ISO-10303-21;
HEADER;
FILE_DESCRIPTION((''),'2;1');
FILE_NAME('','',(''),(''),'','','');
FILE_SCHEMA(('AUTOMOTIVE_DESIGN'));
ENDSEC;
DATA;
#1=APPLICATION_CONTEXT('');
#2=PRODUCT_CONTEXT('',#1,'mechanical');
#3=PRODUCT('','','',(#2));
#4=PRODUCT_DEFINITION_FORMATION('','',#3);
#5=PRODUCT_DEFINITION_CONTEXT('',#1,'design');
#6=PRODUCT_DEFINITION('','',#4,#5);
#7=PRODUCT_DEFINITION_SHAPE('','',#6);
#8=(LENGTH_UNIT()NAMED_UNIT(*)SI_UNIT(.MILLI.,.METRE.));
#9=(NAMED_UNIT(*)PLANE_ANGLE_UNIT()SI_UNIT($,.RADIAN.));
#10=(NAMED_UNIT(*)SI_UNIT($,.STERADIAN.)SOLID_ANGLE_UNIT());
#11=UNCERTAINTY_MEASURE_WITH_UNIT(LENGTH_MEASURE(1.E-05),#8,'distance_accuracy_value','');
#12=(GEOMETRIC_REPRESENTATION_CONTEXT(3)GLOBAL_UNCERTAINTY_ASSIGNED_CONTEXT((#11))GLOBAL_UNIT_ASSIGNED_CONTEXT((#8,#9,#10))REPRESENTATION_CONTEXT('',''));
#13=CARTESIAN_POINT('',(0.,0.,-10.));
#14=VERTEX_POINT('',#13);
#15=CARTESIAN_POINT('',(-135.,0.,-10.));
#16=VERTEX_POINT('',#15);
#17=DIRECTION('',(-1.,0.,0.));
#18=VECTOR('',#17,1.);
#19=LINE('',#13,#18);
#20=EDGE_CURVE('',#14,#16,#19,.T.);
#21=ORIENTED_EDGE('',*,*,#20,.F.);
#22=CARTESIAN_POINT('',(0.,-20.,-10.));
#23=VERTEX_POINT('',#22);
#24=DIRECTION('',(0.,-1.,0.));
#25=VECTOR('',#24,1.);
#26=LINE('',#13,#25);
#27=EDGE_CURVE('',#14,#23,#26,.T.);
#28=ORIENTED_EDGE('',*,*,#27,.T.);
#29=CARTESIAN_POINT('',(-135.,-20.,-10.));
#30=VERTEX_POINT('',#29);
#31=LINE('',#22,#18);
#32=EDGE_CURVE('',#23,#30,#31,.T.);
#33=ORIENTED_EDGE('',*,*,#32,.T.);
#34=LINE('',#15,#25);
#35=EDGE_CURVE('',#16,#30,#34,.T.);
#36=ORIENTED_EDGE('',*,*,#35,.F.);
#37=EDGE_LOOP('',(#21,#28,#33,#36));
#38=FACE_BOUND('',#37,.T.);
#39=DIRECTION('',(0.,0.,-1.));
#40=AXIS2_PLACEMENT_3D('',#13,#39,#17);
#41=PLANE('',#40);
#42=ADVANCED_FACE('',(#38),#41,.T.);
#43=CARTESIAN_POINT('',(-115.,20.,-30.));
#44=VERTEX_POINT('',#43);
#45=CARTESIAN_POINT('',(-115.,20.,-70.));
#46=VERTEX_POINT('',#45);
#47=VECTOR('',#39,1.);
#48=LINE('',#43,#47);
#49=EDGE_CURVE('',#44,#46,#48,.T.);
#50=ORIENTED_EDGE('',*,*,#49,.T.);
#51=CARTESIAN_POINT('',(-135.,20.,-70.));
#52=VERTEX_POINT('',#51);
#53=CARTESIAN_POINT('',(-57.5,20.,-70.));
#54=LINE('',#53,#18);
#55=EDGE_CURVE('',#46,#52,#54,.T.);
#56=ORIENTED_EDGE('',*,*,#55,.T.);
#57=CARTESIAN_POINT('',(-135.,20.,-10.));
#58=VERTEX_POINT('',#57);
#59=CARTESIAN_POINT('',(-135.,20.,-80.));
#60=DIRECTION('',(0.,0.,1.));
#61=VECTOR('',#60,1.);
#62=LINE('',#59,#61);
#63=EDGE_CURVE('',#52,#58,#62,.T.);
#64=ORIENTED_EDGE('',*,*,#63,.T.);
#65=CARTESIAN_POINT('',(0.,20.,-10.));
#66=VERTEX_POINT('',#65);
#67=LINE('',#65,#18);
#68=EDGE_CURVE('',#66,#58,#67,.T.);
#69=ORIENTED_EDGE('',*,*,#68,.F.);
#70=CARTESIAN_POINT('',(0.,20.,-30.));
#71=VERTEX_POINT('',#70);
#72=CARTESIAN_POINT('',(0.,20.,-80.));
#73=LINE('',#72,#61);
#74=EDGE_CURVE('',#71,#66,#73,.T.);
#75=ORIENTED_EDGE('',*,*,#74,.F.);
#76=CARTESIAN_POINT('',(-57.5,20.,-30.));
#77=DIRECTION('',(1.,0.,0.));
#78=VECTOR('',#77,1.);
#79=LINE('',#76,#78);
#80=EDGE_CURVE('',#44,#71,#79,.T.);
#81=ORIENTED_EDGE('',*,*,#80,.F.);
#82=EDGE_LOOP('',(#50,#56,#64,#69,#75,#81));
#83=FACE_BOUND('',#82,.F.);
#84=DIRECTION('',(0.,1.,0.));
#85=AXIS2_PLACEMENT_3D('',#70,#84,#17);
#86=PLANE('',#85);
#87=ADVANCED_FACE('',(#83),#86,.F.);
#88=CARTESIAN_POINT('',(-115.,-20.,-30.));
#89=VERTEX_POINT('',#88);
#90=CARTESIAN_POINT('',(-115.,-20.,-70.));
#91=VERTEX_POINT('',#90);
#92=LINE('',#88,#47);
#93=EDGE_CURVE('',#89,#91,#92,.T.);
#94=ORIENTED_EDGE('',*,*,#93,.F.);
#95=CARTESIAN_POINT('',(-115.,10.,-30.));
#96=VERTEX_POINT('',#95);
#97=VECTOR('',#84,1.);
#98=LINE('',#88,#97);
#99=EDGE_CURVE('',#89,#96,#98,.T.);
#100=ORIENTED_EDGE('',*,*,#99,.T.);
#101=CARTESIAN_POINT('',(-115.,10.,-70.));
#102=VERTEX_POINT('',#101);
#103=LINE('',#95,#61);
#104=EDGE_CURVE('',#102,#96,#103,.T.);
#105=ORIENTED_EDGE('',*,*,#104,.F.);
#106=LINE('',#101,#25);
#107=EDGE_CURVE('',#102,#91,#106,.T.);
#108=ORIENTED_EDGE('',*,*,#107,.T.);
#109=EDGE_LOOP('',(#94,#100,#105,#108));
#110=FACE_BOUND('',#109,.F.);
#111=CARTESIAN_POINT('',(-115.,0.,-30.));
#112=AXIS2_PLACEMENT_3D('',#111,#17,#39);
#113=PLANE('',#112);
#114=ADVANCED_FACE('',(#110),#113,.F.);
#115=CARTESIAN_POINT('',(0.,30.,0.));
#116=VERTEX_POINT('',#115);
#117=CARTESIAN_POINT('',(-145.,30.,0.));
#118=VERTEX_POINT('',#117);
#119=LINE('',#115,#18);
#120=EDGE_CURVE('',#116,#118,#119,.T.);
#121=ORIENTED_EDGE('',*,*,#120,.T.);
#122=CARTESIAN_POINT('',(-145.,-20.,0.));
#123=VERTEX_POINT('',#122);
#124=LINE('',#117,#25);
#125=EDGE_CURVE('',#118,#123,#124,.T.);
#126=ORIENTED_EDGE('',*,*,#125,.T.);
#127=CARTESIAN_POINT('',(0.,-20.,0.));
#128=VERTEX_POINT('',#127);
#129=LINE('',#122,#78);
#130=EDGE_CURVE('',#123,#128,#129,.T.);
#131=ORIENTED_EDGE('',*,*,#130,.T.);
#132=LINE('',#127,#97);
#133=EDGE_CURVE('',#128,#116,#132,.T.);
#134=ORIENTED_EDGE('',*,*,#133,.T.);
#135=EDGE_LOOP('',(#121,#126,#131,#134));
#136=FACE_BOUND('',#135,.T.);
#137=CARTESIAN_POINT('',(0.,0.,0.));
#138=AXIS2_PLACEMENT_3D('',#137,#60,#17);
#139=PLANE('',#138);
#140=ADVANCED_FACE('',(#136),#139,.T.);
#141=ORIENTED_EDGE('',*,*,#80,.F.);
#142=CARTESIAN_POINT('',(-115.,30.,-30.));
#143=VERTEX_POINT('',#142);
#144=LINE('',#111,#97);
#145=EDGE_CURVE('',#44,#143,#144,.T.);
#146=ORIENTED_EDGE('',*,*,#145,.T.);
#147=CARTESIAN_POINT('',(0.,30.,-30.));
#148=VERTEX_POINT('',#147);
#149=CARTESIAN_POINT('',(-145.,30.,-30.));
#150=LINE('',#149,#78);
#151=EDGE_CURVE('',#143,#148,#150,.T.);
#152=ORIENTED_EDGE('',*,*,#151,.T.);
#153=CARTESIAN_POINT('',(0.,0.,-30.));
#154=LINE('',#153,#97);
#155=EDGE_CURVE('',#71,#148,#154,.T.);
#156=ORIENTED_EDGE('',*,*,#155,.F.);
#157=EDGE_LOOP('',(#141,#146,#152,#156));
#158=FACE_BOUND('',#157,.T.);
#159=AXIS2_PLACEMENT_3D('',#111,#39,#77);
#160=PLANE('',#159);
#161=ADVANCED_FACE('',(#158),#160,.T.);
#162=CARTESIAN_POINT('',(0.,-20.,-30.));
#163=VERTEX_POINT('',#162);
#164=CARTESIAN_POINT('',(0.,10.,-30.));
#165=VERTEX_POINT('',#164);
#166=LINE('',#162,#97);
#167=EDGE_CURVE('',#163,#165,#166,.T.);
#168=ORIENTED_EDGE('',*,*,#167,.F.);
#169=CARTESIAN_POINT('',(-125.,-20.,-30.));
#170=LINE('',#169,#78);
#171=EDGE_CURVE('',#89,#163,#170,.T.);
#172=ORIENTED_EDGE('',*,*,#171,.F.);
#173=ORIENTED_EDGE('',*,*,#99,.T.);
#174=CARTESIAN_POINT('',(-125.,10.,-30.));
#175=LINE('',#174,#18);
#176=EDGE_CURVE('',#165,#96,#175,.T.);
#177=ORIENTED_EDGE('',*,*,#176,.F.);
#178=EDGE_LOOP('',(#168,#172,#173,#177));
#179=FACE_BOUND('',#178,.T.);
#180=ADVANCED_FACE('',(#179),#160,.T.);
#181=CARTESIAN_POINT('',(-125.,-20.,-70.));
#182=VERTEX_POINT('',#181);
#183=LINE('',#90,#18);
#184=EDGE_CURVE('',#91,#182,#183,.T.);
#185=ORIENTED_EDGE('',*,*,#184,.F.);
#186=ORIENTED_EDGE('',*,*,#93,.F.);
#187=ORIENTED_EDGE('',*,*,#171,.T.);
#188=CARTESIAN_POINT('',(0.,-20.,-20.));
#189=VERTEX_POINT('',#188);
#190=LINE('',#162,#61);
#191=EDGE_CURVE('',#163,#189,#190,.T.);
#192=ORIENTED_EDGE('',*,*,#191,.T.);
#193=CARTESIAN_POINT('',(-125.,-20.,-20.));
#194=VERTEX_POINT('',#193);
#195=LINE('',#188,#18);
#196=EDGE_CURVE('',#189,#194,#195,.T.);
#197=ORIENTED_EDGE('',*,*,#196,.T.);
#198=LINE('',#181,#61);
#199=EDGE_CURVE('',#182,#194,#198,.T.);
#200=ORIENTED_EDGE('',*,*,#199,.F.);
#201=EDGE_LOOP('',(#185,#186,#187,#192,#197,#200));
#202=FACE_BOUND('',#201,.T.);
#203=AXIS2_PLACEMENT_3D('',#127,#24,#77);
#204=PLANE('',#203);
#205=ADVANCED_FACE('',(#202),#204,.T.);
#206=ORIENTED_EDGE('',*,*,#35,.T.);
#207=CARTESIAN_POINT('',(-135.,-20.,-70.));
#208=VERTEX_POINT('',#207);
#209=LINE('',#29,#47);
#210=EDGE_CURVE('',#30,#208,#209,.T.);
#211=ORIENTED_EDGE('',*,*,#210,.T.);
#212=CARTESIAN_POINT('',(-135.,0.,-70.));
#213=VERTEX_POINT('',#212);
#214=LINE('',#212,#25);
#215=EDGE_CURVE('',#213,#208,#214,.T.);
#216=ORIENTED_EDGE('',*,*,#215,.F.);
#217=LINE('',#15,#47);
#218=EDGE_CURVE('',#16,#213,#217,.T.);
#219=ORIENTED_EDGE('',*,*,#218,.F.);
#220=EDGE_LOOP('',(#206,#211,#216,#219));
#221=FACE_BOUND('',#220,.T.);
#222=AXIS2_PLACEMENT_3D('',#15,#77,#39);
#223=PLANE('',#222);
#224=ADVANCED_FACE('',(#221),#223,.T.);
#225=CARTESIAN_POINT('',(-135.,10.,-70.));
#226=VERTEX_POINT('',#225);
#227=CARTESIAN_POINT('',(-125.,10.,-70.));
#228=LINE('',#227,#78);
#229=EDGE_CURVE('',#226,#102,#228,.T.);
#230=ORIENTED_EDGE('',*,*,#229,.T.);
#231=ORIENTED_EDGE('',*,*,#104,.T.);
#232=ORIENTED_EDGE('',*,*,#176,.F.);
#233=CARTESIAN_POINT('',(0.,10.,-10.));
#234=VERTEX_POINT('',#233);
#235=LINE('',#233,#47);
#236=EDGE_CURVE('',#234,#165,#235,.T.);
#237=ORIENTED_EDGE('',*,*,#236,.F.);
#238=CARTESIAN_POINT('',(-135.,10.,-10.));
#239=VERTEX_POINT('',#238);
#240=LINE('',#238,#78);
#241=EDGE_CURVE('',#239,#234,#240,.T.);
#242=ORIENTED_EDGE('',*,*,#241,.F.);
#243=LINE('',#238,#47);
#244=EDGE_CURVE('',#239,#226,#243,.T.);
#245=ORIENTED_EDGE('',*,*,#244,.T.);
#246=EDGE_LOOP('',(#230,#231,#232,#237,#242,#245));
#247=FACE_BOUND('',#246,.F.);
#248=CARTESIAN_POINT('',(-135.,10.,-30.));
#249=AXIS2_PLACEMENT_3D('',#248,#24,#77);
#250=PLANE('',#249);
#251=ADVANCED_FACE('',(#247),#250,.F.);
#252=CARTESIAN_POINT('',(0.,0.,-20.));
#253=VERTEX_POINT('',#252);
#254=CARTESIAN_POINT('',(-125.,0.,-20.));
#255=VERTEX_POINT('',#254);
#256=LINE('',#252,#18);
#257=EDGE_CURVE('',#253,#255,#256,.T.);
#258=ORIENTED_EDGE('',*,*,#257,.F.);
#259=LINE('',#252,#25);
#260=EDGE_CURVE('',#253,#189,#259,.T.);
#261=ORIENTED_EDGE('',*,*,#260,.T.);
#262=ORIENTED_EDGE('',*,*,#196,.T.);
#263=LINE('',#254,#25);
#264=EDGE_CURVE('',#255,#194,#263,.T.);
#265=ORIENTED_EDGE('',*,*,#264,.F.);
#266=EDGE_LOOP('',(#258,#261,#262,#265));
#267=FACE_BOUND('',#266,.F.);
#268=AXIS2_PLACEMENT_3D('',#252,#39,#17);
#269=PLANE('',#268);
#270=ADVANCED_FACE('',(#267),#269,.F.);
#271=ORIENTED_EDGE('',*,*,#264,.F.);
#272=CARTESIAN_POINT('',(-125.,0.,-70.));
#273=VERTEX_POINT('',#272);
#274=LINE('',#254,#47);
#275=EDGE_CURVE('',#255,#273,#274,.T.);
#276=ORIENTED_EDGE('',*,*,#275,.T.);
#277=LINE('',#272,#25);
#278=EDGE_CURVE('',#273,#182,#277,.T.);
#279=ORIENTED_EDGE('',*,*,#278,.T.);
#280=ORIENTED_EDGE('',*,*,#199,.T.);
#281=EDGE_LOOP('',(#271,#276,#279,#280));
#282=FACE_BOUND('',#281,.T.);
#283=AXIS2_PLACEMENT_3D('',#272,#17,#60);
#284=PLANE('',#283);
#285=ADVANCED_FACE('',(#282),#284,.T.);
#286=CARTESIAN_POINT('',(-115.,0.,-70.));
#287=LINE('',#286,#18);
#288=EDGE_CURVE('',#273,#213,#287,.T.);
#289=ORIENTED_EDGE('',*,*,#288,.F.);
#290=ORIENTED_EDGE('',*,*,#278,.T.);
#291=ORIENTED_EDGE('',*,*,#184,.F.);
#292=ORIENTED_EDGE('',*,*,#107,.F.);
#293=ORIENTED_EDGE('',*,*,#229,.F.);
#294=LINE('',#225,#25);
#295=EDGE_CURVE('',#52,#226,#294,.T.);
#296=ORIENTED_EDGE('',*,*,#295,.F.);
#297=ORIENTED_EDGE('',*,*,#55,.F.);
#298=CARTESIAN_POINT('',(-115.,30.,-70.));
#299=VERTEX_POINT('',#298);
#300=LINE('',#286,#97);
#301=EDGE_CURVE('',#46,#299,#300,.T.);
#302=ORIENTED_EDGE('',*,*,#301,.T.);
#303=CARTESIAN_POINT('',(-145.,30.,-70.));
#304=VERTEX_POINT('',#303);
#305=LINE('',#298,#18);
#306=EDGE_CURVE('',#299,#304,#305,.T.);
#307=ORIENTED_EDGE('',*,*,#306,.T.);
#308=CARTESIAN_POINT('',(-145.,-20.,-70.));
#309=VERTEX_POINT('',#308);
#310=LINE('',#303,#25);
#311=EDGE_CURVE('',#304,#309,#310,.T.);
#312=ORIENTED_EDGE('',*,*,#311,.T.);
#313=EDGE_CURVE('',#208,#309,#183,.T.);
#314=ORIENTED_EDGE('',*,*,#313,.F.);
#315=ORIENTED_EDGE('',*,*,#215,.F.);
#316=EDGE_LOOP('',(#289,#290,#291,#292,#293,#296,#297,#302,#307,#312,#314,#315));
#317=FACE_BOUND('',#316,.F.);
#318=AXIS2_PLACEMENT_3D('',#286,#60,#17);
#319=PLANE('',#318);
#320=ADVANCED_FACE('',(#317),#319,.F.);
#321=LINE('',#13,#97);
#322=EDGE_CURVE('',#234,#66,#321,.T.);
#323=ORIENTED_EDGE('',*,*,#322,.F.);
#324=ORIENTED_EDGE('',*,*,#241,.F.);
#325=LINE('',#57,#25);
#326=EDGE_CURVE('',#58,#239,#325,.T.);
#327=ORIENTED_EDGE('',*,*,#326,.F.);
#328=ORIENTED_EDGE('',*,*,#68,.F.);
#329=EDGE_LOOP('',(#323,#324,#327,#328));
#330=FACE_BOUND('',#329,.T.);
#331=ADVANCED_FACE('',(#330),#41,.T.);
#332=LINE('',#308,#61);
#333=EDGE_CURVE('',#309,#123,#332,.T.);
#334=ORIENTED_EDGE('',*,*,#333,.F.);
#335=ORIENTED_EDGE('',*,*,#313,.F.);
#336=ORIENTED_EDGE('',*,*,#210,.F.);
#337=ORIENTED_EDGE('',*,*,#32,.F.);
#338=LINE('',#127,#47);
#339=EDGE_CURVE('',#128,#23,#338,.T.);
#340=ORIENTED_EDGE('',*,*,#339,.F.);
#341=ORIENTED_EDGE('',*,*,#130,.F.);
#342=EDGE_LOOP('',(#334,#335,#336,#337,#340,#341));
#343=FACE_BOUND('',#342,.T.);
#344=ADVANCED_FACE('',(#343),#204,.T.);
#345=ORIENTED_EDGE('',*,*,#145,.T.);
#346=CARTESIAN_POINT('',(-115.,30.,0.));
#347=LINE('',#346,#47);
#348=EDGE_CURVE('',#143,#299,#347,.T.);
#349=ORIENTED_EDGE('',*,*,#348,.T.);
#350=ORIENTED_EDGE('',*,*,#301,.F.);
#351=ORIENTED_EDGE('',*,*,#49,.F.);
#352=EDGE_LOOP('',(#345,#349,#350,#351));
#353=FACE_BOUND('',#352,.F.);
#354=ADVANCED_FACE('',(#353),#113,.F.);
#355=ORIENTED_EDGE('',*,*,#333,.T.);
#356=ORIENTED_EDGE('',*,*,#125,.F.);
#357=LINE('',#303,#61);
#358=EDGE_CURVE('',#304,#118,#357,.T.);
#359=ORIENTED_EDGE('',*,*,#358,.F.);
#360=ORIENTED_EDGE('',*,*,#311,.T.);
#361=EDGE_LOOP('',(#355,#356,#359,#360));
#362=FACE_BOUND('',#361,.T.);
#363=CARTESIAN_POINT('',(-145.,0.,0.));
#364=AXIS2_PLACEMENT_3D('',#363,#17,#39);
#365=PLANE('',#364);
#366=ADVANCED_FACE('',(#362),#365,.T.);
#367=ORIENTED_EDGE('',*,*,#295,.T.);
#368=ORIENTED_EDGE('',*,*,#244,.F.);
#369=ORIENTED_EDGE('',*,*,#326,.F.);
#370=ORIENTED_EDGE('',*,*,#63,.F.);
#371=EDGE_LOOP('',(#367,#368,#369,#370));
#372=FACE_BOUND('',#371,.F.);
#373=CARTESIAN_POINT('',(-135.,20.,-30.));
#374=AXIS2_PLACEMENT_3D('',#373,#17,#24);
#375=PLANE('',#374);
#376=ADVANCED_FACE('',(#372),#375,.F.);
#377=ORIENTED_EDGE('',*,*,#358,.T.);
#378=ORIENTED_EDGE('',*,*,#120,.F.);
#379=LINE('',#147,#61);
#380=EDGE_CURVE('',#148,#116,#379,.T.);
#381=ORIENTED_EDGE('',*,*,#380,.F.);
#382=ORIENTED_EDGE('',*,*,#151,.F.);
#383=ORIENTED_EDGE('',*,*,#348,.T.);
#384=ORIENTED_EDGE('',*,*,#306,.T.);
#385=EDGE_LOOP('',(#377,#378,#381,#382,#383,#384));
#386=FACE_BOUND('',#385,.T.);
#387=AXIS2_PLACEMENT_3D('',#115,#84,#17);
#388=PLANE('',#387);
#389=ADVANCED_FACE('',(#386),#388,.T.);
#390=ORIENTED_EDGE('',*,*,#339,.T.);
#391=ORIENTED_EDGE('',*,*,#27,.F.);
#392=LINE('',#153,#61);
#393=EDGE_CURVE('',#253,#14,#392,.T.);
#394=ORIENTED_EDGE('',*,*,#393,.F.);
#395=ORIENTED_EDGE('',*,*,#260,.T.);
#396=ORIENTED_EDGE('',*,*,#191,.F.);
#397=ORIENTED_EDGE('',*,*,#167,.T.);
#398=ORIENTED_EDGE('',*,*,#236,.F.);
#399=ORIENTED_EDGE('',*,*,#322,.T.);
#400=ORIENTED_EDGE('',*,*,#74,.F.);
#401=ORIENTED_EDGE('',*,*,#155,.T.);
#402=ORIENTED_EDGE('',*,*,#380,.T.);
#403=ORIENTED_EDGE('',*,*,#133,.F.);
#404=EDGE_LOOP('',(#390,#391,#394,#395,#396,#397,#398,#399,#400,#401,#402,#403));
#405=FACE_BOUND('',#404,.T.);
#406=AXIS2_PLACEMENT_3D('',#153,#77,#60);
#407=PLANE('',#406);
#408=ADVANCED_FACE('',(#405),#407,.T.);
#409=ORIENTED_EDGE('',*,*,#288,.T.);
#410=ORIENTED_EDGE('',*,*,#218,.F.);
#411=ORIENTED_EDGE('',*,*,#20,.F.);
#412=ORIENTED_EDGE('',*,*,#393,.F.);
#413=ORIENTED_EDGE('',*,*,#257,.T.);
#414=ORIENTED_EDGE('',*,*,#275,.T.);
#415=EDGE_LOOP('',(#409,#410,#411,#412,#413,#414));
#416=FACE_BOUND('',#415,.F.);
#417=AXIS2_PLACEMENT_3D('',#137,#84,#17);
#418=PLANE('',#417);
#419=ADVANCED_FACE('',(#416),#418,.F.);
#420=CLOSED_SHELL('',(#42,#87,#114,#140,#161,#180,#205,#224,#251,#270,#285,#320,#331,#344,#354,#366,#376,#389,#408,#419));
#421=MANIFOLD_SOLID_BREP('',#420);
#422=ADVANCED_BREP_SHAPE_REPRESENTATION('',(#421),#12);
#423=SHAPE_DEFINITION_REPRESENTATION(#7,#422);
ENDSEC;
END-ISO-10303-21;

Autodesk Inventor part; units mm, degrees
ref_plane "YZ Plane" through (0, 0, 0) normal (1, 0, 0) x (0, 1, 0)
ref_plane "XZ Plane" through (0, 0, 0) normal (0, 1, 0) x (-1, 0, 0)
ref_plane "XY Plane" through (0, 0, 0) normal (0, 0, 1) x (1, 0, 0)
sketch "Sketch1" plane through (0, 0, 0) normal (0, 1, 0) x (-1, 0, 0)
  line L0 (0, 0) -> (145, 0)
  line L1 (145, 0) -> (145, -30)
  line L2 (145, -30) -> (0, -30)
  line L3 (0, -30) -> (0, 0)
  line L4 (145, 0) -> (115, 0)
  line L5 (115, 0) -> (115, -70)
  line L6 (115, -70) -> (145, -70)
  line L7 (145, -70) -> (145, 0)
  point P0 (115, -30)
  dimension "d0" = 145
  dimension "d1" = 30
  dimension "d2" = 30
  dimension "d3" = 70
extrude "Extrusion1" add sketch "Sketch1" along normal blind 30
sketch "Sketch2" plane through (0, 0, -30) normal (0, 0, -1) x (-1, 0, 0)
  line L0 (0, 0) -> (0, 30) projected
  line L1 (0, 20) -> (135, 20)
  line L2 (135, 20) -> (135, 10)
  line L3 (135, 10) -> (0, 10)
  line L4 (0, 10) -> (0, 20)
  point P0 (0, 10)
  dimension "d26" = 135
  dimension "d27" = 10
extrude "Extrusion2" cut sketch "Sketch2" along normal blind 50 and the other way blind 20
sketch "Sketch5" plane through (0, 0, 0) normal (0, -1, 0) x (1, 0, 0)
  line L0 (-145, -70) -> (-145, 0) projected
  line L1 (-145, 0) -> (0, 0)
  line L2 (0, 0) -> (0, -10)
  line L3 (0, -10) -> (-145, -10)
  line L4 (-145, -10) -> (-145, 0)
  line L5 (-115, -70) -> (-145, -70) projected
  line L6 (-145, -10) -> (-135, -10)
  line L7 (-135, -10) -> (-135, -70)
  line L8 (-135, -70) -> (-145, -70)
  line L9 (-145, -70) -> (-145, -10)
  line L10 (-115, -70) -> (-125, -70)
  line L11 (-125, -70) -> (-125, -30)
  line L12 (-125, -30) -> (-115, -30)
  line L13 (-115, -30) -> (-115, -70)
  line L14 (-125, -30) -> (0, -30)
  line L15 (0, -30) -> (0, -20)
  line L16 (0, -20) -> (-125, -20)
  line L17 (-125, -20) -> (-125, -30)
  point P0 (0, 0)
  dimension "d28" = 145
  dimension "d29" = 10
  dimension "d30" = 10
  dimension "d31" = 10
  dimension "d32" = 10
extrude "Extrusion5" add sketch "Sketch5" along normal blind 20
properties part number "TSU_Corner2_Clamp"
